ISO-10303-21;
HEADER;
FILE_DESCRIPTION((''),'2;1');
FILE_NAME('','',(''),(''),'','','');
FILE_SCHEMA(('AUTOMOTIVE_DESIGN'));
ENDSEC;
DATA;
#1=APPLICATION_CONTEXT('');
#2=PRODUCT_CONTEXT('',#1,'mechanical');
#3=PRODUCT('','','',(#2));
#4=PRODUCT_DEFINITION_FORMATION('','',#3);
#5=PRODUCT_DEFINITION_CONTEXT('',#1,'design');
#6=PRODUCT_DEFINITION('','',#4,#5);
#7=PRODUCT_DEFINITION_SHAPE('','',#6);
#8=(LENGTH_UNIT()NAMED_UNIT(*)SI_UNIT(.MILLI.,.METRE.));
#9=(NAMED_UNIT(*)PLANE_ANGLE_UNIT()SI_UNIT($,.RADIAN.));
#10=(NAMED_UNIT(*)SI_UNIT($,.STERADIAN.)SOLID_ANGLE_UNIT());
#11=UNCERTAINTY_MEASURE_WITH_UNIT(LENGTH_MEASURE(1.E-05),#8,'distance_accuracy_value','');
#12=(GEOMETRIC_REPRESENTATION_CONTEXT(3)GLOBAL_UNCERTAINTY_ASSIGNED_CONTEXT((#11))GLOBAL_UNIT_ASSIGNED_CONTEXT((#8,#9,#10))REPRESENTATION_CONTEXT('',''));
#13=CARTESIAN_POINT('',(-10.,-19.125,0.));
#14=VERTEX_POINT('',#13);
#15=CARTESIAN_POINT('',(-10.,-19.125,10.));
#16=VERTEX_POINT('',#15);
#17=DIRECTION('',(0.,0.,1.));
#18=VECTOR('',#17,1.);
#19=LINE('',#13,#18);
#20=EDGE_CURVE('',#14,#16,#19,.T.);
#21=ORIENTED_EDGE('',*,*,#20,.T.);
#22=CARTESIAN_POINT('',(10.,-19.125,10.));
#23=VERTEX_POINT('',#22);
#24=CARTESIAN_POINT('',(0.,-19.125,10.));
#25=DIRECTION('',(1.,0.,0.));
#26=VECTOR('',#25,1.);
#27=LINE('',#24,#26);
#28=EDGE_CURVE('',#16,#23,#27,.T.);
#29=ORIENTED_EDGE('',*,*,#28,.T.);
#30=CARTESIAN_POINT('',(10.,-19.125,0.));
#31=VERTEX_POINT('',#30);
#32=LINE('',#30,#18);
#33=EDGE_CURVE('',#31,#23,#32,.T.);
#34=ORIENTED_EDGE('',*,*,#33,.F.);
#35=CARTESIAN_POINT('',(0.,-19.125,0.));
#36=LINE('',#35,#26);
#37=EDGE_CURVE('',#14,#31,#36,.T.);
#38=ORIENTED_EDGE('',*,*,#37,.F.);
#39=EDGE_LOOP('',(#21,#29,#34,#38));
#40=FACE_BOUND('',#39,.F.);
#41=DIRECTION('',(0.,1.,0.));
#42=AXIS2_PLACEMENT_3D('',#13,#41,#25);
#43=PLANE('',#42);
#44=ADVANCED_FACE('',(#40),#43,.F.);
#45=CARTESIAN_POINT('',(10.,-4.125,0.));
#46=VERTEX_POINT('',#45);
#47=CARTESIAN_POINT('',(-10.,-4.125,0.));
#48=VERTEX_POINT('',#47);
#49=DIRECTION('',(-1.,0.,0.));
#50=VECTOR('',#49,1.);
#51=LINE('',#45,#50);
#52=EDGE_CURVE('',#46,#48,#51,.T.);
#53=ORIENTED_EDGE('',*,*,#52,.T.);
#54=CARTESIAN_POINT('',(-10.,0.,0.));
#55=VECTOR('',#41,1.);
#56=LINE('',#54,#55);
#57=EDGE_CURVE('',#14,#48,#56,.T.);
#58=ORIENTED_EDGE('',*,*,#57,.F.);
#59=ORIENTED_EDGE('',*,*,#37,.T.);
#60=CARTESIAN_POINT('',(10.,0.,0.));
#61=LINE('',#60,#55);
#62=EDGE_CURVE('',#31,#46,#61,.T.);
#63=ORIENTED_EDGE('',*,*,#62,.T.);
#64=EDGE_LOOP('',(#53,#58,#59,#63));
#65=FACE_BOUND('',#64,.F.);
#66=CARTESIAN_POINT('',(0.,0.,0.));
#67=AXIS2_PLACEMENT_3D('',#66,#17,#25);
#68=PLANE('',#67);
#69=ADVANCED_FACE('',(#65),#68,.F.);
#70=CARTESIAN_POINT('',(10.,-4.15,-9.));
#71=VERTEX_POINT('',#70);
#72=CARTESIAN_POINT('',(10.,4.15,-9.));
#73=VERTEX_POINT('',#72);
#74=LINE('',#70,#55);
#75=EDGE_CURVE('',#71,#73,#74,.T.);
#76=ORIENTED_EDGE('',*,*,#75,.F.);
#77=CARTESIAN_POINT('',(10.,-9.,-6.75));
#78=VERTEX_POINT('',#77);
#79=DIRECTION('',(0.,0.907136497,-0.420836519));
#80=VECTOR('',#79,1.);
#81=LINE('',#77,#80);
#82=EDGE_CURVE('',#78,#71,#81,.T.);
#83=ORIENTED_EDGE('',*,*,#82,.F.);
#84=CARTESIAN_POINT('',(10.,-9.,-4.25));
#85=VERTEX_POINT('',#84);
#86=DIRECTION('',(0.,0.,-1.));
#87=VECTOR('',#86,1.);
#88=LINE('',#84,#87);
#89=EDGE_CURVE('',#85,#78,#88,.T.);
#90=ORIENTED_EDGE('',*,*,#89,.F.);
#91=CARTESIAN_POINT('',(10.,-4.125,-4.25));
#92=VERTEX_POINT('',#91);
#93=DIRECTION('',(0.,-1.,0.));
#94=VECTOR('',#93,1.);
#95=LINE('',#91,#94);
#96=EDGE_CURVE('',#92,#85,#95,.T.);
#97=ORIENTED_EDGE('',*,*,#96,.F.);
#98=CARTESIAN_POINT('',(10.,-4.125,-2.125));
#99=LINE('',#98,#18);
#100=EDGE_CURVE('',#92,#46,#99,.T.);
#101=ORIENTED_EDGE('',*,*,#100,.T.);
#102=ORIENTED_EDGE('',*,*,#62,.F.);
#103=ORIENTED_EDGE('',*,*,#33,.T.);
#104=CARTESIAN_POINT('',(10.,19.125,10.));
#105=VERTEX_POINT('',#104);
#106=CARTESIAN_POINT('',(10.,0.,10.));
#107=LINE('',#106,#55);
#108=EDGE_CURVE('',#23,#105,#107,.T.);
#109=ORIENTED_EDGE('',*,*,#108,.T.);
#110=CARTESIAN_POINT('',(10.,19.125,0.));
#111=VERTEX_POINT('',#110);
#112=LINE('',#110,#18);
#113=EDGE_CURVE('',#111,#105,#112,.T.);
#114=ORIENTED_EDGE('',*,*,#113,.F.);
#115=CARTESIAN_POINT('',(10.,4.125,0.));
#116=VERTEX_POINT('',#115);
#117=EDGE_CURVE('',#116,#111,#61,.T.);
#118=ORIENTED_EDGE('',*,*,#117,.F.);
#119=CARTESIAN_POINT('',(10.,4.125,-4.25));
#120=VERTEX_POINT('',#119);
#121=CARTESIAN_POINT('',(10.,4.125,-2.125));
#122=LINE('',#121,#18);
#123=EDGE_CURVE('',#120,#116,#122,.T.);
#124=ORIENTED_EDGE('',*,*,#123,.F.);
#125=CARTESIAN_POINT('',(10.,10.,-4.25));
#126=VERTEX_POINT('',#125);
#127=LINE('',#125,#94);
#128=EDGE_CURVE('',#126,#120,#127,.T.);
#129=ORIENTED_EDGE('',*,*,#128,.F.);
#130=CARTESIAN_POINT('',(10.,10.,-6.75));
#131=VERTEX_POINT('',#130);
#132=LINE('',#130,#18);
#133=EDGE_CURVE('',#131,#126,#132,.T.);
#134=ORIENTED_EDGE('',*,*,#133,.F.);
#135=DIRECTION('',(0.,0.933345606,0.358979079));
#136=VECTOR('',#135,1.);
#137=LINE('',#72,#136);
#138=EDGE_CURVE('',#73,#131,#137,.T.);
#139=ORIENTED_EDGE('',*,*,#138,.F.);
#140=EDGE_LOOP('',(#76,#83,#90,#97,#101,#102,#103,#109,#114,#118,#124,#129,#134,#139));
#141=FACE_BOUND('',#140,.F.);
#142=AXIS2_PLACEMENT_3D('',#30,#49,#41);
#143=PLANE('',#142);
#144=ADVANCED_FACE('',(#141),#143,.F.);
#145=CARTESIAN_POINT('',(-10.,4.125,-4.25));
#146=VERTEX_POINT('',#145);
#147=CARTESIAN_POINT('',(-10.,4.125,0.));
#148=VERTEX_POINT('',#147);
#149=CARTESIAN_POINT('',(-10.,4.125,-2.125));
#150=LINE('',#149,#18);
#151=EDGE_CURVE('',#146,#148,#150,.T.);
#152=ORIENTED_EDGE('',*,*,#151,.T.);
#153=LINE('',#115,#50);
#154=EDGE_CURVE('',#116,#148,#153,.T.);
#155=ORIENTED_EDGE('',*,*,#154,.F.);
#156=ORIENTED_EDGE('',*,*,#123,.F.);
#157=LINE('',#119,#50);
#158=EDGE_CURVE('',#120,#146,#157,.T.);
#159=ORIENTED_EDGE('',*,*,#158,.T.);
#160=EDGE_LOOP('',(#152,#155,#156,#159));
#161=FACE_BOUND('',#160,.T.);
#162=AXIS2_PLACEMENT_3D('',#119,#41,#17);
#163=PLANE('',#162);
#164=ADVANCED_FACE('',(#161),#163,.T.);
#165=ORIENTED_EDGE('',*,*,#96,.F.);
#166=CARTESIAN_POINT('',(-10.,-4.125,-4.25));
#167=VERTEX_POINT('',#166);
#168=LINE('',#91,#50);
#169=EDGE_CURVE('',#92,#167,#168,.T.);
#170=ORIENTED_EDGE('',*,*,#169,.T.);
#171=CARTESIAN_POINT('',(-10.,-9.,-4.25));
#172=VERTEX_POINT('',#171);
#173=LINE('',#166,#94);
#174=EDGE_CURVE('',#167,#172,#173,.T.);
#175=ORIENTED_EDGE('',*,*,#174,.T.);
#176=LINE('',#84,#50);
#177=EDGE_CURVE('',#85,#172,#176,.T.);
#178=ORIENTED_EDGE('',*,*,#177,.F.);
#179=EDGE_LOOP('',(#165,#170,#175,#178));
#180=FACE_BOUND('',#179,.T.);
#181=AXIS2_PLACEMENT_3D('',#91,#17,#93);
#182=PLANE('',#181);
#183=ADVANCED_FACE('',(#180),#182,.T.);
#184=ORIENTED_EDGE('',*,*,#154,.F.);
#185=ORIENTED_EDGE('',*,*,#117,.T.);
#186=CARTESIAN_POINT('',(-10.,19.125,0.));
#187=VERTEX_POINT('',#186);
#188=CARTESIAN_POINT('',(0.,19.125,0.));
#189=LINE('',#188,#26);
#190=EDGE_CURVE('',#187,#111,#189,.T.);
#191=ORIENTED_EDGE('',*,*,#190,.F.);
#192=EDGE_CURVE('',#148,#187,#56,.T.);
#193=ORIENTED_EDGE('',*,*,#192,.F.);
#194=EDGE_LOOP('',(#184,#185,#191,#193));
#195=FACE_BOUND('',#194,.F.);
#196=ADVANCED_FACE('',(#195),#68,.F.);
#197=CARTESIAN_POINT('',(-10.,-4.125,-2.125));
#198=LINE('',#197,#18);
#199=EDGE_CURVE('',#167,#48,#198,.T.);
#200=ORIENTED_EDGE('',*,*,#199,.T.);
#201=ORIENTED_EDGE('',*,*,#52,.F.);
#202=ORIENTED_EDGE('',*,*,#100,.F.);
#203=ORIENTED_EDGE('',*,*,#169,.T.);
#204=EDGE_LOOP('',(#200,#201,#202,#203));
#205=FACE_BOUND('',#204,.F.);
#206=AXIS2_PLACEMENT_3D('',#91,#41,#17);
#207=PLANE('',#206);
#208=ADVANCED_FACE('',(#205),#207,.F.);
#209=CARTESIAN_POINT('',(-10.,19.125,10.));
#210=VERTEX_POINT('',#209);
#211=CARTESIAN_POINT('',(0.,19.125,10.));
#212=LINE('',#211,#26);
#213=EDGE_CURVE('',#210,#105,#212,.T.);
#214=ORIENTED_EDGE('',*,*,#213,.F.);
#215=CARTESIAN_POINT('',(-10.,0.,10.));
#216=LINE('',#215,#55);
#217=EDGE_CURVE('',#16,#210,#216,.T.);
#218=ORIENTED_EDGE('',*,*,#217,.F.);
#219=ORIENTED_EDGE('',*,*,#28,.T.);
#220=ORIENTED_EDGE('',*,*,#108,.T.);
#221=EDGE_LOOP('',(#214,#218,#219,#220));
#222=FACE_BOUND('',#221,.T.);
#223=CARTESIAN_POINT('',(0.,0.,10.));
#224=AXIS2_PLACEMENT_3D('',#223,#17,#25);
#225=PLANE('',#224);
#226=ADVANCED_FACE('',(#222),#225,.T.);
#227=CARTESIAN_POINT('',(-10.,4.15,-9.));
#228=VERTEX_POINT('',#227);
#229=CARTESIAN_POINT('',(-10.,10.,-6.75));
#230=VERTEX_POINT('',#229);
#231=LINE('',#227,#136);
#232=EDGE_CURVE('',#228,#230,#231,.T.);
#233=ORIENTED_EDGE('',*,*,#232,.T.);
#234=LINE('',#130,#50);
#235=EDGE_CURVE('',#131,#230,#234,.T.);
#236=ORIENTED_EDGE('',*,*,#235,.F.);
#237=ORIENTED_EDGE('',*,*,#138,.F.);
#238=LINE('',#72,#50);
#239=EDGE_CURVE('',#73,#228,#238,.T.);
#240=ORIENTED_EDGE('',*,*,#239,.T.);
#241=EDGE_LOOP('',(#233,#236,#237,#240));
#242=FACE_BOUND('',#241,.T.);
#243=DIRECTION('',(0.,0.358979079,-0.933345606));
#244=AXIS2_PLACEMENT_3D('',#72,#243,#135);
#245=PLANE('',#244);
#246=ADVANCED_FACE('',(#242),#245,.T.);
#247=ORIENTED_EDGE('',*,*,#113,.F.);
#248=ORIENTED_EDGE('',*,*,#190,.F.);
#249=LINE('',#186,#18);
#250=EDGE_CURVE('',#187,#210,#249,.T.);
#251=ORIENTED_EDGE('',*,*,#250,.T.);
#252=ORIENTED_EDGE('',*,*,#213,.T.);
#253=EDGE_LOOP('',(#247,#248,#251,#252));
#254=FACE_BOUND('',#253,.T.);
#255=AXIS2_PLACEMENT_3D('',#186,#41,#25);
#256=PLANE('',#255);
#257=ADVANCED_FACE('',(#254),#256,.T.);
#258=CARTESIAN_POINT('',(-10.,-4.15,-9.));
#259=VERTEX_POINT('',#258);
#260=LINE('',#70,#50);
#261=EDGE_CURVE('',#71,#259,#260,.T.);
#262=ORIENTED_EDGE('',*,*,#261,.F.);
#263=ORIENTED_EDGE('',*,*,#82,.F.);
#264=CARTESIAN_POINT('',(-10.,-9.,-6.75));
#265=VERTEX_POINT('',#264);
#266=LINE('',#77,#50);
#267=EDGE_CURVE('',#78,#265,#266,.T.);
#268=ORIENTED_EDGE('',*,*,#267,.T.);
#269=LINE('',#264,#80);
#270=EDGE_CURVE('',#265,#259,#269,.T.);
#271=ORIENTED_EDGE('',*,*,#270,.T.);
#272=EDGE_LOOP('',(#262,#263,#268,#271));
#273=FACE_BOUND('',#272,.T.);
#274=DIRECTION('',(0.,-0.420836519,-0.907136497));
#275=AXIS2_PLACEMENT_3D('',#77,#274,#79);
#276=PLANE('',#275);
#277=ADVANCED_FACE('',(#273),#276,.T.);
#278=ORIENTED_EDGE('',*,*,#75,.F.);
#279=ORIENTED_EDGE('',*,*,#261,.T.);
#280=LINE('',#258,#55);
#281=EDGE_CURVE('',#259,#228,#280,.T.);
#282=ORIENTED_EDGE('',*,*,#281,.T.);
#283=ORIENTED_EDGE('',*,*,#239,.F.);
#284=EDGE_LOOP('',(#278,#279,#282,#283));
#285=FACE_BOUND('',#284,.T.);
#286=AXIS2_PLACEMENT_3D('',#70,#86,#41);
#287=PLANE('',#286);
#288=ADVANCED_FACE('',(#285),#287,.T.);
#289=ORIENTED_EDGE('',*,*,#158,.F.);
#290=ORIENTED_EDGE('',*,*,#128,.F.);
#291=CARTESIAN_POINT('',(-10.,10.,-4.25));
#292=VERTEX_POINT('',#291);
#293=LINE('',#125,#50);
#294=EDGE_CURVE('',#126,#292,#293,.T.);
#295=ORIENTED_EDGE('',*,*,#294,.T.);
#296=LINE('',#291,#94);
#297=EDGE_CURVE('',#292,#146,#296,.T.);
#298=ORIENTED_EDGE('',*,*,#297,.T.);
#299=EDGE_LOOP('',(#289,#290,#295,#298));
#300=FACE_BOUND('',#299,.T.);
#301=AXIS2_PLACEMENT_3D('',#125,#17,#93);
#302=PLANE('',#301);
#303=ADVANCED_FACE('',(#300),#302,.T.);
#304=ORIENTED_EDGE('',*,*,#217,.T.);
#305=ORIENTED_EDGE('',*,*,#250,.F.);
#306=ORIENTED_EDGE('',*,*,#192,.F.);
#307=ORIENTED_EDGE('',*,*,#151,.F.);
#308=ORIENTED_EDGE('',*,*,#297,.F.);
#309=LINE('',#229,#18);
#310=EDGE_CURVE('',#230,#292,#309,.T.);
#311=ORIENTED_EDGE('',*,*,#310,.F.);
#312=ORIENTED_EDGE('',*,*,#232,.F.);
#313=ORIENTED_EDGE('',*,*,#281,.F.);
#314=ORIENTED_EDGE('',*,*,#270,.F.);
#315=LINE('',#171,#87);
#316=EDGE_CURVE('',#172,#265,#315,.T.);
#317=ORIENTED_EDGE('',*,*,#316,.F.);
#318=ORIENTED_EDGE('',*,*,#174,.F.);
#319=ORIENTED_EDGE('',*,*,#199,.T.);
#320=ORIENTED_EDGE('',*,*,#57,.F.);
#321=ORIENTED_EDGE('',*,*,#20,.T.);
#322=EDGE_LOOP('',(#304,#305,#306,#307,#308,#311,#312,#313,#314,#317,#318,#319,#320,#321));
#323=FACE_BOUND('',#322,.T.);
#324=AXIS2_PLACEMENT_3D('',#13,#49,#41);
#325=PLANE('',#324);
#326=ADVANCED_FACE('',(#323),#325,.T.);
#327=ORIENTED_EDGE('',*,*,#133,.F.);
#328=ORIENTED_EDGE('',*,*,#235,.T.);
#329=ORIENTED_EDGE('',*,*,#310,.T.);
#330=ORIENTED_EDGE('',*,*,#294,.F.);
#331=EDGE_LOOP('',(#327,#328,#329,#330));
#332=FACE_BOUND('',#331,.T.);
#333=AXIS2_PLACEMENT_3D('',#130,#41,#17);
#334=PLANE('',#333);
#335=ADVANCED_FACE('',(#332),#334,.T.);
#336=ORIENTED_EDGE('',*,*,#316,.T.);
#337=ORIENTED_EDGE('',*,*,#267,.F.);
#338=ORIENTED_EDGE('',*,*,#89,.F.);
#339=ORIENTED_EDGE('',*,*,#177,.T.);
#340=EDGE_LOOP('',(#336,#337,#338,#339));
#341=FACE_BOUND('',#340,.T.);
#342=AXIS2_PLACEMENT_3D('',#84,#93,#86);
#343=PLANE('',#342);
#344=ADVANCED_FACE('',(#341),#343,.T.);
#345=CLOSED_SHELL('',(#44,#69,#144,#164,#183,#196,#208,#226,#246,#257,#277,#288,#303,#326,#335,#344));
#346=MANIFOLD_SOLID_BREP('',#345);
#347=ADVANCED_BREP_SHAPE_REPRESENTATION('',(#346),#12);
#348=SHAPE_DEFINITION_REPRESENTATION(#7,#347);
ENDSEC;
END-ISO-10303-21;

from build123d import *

# Parameters (mm, degrees)
F0_W     = 20
F0_H     = 38.25
F1_DEPTH = 10
F2_W     = 4.125
F2_H     = 4.25
F3_DEPTH = 20


with BuildPart() as f1:
    # F0 (on Top) → F1 (new body)
    with BuildSketch(Plane.XY):
        Rectangle(F0_W, F0_H)
    extrude(amount=F1_DEPTH)

    # F2 (on face) → F3 (join)
    with BuildSketch(Plane.YZ.offset(10)):
        with Locations((2.0625, -2.125)):
            Rectangle(F2_W, F2_H)
        with Locations((-2.0625, -2.125)):
            Rectangle(F2_W, F2_H)
        Polygon((4.125, -4.25), (0, -4.25), (0, -9), (4.15, -9), (10, -6.75), (10, -4.25), align=None)
        Polygon((0, -9), (0, -4.25), (-4.125, -4.25), (-9, -4.25), (-9, -6.75), (-4.15, -9), align=None)
    extrude(amount=-F3_DEPTH)


solid = f1.part
